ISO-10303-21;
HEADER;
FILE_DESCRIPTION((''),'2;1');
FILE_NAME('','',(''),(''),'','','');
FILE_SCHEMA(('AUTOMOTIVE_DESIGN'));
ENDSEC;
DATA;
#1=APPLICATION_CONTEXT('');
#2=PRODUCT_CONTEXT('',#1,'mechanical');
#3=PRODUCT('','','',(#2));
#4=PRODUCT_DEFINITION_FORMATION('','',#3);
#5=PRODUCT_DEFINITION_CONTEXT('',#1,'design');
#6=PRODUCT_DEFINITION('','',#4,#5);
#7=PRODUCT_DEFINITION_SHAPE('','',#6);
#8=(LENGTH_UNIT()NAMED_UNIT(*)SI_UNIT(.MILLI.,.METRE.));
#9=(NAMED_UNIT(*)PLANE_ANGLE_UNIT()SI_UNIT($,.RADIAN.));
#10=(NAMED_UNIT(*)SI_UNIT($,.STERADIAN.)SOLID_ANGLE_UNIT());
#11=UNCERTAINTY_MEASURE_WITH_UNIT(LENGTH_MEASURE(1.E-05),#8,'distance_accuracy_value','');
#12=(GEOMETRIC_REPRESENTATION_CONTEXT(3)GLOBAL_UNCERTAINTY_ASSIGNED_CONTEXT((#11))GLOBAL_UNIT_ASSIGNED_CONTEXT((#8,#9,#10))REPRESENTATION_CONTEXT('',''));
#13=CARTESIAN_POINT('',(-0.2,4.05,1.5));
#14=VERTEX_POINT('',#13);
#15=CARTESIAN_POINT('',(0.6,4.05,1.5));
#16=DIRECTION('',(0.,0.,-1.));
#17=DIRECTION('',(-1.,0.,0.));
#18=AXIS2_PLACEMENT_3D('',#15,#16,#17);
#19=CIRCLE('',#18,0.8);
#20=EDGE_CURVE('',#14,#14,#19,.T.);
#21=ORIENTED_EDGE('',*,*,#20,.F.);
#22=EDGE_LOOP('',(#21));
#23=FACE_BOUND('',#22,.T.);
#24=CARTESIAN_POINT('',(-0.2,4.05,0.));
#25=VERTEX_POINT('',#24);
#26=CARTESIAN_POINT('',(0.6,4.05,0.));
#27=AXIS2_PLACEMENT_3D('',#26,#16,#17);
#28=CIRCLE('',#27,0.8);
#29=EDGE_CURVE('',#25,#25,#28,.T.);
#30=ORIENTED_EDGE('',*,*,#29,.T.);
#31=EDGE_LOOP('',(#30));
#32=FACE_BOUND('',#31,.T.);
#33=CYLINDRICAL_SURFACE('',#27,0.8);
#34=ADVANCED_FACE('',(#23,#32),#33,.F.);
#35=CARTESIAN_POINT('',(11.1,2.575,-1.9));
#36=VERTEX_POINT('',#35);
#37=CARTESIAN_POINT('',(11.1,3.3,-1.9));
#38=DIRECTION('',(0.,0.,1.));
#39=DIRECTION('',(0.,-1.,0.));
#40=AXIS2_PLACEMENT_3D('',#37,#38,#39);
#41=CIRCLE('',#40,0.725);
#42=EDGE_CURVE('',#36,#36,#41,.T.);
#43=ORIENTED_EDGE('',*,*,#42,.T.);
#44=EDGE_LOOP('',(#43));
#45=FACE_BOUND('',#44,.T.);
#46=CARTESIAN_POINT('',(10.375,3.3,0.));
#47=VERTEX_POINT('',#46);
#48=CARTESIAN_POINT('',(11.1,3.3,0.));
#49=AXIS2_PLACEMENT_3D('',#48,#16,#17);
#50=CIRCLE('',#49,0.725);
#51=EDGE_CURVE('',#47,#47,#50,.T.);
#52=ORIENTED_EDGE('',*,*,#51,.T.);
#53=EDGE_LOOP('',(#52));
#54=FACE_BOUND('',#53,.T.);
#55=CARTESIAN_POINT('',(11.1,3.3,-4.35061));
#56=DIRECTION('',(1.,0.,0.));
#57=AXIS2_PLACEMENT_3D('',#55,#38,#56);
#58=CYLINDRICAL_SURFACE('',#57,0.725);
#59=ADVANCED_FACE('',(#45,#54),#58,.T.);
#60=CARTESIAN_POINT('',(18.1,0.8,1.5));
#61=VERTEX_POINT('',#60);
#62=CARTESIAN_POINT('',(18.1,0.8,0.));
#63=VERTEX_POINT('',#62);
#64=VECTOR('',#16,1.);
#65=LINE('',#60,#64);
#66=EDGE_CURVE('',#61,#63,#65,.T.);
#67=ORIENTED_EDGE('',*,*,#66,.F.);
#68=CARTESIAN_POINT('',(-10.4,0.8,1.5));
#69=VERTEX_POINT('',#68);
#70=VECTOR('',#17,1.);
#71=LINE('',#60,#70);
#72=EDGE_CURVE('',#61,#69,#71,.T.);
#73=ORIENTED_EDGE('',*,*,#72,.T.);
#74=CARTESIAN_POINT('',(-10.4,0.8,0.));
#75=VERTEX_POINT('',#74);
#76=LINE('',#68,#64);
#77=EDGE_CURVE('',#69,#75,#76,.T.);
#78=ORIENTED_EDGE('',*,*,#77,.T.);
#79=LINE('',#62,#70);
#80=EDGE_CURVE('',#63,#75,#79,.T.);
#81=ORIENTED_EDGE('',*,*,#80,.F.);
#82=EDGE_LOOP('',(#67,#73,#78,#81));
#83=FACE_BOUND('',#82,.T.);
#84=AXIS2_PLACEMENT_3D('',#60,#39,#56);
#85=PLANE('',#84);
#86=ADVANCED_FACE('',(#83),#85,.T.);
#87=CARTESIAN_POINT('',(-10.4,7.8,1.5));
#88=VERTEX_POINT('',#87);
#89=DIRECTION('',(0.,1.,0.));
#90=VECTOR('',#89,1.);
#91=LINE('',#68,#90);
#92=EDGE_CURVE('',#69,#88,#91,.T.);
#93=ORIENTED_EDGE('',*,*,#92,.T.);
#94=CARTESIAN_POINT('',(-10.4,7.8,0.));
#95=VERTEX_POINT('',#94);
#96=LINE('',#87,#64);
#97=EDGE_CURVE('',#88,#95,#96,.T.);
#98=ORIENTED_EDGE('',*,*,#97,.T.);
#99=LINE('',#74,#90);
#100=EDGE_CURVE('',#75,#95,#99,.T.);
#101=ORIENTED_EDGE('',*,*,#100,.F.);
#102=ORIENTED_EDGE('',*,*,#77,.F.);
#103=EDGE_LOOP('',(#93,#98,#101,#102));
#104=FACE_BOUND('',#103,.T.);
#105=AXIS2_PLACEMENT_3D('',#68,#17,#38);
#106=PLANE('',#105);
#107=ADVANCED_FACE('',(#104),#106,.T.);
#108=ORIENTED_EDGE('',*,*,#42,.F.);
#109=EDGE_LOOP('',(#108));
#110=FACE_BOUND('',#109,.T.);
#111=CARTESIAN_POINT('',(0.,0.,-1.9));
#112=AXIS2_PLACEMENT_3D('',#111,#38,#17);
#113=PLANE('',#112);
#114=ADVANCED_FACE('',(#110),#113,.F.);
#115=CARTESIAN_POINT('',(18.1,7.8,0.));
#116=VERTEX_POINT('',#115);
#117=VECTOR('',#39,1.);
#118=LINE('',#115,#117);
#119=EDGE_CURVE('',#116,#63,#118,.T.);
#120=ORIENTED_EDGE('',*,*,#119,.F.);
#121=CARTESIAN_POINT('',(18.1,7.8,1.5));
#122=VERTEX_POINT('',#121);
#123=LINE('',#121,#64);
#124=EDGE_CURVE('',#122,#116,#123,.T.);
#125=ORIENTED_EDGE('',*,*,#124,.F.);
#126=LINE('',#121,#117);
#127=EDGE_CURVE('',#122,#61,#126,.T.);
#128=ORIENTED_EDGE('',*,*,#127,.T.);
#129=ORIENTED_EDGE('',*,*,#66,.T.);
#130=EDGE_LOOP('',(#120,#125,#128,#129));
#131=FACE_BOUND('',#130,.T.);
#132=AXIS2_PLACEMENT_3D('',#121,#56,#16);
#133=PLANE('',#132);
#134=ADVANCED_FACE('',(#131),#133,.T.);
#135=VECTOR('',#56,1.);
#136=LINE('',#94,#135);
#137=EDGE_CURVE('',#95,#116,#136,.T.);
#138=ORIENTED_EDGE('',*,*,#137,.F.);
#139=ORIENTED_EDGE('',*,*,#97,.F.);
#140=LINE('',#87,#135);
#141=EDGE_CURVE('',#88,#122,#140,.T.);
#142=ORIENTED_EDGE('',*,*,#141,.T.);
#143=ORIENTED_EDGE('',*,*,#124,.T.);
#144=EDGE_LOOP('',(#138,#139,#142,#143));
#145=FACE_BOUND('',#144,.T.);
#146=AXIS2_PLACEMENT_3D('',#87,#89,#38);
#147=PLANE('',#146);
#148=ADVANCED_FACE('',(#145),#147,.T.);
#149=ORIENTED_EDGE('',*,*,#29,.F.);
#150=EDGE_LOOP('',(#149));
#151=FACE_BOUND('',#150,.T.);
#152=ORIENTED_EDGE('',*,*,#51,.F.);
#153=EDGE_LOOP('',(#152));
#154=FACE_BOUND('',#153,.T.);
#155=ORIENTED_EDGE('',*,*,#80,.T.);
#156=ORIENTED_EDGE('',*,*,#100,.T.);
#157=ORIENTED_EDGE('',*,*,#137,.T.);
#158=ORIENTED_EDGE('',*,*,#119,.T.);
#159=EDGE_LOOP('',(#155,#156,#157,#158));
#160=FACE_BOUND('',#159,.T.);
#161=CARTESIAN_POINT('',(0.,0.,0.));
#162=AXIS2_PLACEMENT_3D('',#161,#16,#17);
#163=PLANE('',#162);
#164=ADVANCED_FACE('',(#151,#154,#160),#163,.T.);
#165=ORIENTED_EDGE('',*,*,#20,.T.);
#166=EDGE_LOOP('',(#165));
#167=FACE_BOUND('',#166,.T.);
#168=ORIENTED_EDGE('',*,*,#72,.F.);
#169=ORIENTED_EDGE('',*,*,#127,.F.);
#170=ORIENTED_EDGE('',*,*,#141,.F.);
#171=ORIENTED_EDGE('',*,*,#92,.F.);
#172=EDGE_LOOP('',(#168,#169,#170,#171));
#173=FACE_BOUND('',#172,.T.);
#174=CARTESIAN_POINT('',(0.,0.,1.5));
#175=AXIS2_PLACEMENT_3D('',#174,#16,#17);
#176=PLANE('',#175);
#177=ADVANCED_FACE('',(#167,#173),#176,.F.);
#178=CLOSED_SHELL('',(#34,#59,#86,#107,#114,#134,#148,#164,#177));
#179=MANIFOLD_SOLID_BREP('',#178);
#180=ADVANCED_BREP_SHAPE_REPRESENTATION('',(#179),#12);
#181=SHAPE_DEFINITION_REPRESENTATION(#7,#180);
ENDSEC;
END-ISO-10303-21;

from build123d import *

# Parameters (mm, degrees)
SKETCH_1_W         = 28.5
SKETCH_1_H         = 7
BASE_DEPTH         = 1.5
SKETCH_4_R         = 0.725
AXIS_DEPTH         = 1.9
HOLE_WIZARD_M2_1_D = 1.6


with BuildPart() as part:
    # 草图1 → base (new body)
    with BuildSketch(Plane.XY):
        with Locations((3.85, 4.3)):
            Rectangle(SKETCH_1_W, SKETCH_1_H)
    extrude(amount=BASE_DEPTH)

    # 草图4 → axis (add)
    with BuildSketch(Plane(origin=(0, 0, 0), x_dir=(-1, 0, 0), z_dir=(0, 0, -1))):
        with Locations(Location((-11.1, 3.3, 0), (0, 0, 270))):
            Circle(SKETCH_4_R)
    extrude(amount=AXIS_DEPTH)

    # M2 螺纹孔的螺纹孔钻头1 (through all)
    with Locations(Plane(origin=(0.6, 4.05, 0), x_dir=(-1, 0, 0), z_dir=(0, 0, -1))):
        with Locations((0, 0)):
            Hole(HOLE_WIZARD_M2_1_D / 2)


solid = part.part
